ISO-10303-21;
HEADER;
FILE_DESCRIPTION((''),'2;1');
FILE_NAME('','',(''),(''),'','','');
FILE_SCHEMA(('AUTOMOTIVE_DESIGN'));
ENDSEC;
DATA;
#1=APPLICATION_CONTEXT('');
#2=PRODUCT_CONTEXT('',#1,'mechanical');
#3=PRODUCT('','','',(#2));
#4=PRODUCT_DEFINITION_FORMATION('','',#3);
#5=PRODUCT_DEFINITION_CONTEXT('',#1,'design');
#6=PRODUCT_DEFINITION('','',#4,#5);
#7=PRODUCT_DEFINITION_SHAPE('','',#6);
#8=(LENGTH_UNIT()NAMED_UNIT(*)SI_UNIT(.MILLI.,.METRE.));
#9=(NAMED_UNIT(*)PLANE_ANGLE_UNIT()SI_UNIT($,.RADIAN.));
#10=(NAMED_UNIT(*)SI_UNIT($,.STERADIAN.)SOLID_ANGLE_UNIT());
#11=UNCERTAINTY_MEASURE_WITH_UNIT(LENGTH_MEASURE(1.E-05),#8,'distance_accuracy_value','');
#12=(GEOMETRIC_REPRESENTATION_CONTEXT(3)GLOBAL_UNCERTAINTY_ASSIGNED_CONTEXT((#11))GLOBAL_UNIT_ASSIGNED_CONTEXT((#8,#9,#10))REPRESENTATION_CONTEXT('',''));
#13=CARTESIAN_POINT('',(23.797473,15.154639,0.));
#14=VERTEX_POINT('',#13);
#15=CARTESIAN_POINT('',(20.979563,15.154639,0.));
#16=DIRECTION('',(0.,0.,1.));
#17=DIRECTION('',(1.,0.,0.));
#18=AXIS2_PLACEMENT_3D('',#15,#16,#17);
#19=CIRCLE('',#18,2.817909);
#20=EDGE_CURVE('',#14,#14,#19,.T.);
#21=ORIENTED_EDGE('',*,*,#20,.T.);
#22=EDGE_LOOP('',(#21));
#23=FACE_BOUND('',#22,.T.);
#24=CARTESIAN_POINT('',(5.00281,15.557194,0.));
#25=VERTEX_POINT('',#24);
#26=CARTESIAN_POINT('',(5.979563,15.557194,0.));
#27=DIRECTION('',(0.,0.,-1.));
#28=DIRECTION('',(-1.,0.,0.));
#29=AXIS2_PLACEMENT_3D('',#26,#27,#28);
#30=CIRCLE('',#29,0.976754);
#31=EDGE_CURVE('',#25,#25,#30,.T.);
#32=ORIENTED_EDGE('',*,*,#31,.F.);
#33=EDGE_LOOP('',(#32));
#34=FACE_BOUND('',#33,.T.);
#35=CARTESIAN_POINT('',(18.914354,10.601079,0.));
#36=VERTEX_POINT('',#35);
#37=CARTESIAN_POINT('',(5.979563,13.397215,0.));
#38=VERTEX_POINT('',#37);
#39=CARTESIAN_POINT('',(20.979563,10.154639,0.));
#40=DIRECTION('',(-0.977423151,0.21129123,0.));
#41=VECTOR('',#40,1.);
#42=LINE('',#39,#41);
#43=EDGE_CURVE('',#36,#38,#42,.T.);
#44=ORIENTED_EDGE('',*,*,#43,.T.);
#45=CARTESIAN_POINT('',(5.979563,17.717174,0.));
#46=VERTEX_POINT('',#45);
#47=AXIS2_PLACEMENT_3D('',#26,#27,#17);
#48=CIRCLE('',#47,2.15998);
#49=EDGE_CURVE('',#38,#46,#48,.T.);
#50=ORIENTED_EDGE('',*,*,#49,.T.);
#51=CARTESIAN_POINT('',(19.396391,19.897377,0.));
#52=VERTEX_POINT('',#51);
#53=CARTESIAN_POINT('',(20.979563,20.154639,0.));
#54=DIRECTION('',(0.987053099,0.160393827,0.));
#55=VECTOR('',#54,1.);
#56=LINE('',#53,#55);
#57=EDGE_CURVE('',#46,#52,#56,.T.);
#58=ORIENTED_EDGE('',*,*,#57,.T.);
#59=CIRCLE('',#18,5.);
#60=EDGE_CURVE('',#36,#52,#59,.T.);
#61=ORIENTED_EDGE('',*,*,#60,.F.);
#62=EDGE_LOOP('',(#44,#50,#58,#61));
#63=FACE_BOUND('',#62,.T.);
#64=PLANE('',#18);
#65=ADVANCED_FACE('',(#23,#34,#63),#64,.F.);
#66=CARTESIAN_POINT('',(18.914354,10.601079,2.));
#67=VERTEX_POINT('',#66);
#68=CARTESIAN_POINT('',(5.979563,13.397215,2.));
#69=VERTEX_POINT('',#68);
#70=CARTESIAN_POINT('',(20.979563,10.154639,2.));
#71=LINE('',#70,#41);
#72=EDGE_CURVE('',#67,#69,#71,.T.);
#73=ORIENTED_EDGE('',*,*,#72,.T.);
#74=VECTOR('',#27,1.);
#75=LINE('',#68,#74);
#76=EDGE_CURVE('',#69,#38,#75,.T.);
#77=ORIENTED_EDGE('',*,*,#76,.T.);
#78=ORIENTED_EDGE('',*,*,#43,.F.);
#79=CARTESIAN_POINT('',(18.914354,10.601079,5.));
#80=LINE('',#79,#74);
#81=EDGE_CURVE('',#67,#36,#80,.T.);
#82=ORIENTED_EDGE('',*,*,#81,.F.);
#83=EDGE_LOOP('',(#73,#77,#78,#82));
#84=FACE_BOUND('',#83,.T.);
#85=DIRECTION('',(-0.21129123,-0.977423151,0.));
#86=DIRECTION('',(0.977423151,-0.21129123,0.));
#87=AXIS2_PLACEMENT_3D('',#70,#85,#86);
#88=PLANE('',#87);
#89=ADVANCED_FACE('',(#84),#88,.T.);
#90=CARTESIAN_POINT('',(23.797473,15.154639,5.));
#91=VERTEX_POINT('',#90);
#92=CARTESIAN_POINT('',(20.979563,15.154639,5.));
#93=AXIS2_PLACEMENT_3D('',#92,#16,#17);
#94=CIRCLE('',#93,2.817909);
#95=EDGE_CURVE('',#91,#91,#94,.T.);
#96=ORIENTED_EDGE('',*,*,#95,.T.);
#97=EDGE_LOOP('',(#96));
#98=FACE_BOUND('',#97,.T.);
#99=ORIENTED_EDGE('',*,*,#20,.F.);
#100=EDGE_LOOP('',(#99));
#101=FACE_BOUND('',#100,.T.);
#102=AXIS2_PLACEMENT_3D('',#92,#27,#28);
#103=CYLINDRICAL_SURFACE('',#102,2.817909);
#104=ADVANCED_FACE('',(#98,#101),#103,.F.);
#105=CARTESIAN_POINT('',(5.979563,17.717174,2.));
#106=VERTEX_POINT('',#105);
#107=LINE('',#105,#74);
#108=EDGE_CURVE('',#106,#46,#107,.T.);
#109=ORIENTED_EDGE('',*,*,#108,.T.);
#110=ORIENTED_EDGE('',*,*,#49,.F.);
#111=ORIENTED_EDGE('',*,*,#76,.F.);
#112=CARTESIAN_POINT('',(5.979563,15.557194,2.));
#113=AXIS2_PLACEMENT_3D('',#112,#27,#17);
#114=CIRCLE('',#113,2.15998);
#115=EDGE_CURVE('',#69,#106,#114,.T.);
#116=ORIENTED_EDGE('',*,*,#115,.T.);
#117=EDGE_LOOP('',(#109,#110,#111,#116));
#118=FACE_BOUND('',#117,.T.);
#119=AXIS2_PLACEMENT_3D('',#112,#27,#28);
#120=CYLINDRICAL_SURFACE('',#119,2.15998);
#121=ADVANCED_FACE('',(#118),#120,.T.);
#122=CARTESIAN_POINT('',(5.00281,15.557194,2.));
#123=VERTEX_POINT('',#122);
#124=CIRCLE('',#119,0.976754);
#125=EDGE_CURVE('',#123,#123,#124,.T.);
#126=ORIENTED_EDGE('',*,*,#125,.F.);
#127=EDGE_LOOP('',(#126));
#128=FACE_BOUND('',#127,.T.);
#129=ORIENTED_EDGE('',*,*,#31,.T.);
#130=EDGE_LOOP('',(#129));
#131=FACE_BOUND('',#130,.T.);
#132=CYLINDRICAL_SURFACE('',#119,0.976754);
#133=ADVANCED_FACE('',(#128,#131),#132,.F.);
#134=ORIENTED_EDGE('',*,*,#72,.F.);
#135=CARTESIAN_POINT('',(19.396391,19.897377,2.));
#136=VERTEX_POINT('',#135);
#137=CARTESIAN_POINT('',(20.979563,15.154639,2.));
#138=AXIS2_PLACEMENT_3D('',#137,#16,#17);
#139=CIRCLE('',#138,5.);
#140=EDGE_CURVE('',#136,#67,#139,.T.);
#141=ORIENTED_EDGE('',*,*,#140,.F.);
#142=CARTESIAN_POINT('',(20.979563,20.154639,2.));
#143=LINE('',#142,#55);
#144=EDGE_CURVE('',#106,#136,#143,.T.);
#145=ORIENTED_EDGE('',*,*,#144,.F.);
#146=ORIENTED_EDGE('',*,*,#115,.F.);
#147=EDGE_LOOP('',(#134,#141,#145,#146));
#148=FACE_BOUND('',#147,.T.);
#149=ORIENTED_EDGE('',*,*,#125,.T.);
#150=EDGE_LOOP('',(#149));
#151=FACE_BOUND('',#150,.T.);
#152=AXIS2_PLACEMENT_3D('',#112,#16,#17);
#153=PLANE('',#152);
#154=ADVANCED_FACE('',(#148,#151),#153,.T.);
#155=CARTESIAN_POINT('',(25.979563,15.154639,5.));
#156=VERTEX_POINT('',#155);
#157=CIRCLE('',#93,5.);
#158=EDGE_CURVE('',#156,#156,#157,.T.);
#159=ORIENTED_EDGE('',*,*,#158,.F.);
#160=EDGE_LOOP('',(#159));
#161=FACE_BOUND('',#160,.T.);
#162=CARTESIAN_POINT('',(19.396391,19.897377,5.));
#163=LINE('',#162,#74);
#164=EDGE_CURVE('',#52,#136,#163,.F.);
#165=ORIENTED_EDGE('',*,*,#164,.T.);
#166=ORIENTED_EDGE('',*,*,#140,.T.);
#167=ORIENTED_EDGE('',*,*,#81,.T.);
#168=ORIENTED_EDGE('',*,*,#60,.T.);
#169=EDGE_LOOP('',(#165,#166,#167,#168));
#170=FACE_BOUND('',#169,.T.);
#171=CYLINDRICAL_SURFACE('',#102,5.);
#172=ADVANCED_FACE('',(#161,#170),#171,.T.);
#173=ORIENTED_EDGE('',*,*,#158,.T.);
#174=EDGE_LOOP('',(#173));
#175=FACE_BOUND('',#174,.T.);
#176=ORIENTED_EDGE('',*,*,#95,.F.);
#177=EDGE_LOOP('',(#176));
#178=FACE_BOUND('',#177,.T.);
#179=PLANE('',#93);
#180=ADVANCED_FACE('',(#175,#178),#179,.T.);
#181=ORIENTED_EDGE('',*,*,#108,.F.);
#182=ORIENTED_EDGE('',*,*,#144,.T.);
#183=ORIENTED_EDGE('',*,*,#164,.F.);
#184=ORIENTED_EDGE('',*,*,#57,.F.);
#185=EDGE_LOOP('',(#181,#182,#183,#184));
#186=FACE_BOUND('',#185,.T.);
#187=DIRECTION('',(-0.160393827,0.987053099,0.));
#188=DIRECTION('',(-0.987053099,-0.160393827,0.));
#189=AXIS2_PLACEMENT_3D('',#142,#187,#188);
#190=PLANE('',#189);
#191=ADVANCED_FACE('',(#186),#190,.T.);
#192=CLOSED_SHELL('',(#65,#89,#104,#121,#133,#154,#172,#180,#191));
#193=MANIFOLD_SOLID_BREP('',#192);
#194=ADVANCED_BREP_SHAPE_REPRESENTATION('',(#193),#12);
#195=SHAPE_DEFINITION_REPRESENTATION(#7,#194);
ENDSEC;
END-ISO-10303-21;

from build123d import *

# Parameters (mm, degrees)
SKETCH_1_R      = 5
SKETCH_1_R_2    = 2.817909336
EXTRUDE_1_DEPTH = 5
SKETCH_2_R      = 0.976753742
EXTRUDE_2_DEPTH = 2


with BuildPart() as part:
    # 草图1 → 凸台-拉伸1 (new body)
    with BuildSketch(Plane.XY):
        with Locations((20.979563361, 15.154638973)):
            Circle(SKETCH_1_R)
        with Locations((20.979563361, 15.154638973)):
            Circle(SKETCH_1_R_2, mode=Mode.SUBTRACT)
    extrude(amount=EXTRUDE_1_DEPTH)

    # 草图2 → 凸台-拉伸2 (add)
    with BuildSketch(Plane(origin=(0, 0, 0), x_dir=(-1, 0, 0), z_dir=(0, 0, -1))):
        with BuildLine():
            Line((-20.979563361, 20.154638973), (-5.979563361, 17.717173943))
            ThreePointArc((-5.979563361, 17.717173943), (-3.819583674, 15.557194255), (-5.979563361, 13.397214568))
            Line((-5.979563361, 13.397214568), (-20.979563361, 10.154638973))
            Line((-20.979563361, 10.154638973), (-20.873226182, 11.0026068))
            Line((-20.873226182, 11.0026068), (-17.89105269, 13.59821912))
            Line((-17.89105269, 13.59821912), (-17.479167483, 16.13293368))
            Line((-17.479167483, 16.13293368), (-20.979563361, 20.154638973))
        make_face()
        with Locations((-5.979563361, 15.557194255)):
            Circle(SKETCH_2_R, mode=Mode.SUBTRACT)
    extrude(amount=-EXTRUDE_2_DEPTH)


solid = part.part
